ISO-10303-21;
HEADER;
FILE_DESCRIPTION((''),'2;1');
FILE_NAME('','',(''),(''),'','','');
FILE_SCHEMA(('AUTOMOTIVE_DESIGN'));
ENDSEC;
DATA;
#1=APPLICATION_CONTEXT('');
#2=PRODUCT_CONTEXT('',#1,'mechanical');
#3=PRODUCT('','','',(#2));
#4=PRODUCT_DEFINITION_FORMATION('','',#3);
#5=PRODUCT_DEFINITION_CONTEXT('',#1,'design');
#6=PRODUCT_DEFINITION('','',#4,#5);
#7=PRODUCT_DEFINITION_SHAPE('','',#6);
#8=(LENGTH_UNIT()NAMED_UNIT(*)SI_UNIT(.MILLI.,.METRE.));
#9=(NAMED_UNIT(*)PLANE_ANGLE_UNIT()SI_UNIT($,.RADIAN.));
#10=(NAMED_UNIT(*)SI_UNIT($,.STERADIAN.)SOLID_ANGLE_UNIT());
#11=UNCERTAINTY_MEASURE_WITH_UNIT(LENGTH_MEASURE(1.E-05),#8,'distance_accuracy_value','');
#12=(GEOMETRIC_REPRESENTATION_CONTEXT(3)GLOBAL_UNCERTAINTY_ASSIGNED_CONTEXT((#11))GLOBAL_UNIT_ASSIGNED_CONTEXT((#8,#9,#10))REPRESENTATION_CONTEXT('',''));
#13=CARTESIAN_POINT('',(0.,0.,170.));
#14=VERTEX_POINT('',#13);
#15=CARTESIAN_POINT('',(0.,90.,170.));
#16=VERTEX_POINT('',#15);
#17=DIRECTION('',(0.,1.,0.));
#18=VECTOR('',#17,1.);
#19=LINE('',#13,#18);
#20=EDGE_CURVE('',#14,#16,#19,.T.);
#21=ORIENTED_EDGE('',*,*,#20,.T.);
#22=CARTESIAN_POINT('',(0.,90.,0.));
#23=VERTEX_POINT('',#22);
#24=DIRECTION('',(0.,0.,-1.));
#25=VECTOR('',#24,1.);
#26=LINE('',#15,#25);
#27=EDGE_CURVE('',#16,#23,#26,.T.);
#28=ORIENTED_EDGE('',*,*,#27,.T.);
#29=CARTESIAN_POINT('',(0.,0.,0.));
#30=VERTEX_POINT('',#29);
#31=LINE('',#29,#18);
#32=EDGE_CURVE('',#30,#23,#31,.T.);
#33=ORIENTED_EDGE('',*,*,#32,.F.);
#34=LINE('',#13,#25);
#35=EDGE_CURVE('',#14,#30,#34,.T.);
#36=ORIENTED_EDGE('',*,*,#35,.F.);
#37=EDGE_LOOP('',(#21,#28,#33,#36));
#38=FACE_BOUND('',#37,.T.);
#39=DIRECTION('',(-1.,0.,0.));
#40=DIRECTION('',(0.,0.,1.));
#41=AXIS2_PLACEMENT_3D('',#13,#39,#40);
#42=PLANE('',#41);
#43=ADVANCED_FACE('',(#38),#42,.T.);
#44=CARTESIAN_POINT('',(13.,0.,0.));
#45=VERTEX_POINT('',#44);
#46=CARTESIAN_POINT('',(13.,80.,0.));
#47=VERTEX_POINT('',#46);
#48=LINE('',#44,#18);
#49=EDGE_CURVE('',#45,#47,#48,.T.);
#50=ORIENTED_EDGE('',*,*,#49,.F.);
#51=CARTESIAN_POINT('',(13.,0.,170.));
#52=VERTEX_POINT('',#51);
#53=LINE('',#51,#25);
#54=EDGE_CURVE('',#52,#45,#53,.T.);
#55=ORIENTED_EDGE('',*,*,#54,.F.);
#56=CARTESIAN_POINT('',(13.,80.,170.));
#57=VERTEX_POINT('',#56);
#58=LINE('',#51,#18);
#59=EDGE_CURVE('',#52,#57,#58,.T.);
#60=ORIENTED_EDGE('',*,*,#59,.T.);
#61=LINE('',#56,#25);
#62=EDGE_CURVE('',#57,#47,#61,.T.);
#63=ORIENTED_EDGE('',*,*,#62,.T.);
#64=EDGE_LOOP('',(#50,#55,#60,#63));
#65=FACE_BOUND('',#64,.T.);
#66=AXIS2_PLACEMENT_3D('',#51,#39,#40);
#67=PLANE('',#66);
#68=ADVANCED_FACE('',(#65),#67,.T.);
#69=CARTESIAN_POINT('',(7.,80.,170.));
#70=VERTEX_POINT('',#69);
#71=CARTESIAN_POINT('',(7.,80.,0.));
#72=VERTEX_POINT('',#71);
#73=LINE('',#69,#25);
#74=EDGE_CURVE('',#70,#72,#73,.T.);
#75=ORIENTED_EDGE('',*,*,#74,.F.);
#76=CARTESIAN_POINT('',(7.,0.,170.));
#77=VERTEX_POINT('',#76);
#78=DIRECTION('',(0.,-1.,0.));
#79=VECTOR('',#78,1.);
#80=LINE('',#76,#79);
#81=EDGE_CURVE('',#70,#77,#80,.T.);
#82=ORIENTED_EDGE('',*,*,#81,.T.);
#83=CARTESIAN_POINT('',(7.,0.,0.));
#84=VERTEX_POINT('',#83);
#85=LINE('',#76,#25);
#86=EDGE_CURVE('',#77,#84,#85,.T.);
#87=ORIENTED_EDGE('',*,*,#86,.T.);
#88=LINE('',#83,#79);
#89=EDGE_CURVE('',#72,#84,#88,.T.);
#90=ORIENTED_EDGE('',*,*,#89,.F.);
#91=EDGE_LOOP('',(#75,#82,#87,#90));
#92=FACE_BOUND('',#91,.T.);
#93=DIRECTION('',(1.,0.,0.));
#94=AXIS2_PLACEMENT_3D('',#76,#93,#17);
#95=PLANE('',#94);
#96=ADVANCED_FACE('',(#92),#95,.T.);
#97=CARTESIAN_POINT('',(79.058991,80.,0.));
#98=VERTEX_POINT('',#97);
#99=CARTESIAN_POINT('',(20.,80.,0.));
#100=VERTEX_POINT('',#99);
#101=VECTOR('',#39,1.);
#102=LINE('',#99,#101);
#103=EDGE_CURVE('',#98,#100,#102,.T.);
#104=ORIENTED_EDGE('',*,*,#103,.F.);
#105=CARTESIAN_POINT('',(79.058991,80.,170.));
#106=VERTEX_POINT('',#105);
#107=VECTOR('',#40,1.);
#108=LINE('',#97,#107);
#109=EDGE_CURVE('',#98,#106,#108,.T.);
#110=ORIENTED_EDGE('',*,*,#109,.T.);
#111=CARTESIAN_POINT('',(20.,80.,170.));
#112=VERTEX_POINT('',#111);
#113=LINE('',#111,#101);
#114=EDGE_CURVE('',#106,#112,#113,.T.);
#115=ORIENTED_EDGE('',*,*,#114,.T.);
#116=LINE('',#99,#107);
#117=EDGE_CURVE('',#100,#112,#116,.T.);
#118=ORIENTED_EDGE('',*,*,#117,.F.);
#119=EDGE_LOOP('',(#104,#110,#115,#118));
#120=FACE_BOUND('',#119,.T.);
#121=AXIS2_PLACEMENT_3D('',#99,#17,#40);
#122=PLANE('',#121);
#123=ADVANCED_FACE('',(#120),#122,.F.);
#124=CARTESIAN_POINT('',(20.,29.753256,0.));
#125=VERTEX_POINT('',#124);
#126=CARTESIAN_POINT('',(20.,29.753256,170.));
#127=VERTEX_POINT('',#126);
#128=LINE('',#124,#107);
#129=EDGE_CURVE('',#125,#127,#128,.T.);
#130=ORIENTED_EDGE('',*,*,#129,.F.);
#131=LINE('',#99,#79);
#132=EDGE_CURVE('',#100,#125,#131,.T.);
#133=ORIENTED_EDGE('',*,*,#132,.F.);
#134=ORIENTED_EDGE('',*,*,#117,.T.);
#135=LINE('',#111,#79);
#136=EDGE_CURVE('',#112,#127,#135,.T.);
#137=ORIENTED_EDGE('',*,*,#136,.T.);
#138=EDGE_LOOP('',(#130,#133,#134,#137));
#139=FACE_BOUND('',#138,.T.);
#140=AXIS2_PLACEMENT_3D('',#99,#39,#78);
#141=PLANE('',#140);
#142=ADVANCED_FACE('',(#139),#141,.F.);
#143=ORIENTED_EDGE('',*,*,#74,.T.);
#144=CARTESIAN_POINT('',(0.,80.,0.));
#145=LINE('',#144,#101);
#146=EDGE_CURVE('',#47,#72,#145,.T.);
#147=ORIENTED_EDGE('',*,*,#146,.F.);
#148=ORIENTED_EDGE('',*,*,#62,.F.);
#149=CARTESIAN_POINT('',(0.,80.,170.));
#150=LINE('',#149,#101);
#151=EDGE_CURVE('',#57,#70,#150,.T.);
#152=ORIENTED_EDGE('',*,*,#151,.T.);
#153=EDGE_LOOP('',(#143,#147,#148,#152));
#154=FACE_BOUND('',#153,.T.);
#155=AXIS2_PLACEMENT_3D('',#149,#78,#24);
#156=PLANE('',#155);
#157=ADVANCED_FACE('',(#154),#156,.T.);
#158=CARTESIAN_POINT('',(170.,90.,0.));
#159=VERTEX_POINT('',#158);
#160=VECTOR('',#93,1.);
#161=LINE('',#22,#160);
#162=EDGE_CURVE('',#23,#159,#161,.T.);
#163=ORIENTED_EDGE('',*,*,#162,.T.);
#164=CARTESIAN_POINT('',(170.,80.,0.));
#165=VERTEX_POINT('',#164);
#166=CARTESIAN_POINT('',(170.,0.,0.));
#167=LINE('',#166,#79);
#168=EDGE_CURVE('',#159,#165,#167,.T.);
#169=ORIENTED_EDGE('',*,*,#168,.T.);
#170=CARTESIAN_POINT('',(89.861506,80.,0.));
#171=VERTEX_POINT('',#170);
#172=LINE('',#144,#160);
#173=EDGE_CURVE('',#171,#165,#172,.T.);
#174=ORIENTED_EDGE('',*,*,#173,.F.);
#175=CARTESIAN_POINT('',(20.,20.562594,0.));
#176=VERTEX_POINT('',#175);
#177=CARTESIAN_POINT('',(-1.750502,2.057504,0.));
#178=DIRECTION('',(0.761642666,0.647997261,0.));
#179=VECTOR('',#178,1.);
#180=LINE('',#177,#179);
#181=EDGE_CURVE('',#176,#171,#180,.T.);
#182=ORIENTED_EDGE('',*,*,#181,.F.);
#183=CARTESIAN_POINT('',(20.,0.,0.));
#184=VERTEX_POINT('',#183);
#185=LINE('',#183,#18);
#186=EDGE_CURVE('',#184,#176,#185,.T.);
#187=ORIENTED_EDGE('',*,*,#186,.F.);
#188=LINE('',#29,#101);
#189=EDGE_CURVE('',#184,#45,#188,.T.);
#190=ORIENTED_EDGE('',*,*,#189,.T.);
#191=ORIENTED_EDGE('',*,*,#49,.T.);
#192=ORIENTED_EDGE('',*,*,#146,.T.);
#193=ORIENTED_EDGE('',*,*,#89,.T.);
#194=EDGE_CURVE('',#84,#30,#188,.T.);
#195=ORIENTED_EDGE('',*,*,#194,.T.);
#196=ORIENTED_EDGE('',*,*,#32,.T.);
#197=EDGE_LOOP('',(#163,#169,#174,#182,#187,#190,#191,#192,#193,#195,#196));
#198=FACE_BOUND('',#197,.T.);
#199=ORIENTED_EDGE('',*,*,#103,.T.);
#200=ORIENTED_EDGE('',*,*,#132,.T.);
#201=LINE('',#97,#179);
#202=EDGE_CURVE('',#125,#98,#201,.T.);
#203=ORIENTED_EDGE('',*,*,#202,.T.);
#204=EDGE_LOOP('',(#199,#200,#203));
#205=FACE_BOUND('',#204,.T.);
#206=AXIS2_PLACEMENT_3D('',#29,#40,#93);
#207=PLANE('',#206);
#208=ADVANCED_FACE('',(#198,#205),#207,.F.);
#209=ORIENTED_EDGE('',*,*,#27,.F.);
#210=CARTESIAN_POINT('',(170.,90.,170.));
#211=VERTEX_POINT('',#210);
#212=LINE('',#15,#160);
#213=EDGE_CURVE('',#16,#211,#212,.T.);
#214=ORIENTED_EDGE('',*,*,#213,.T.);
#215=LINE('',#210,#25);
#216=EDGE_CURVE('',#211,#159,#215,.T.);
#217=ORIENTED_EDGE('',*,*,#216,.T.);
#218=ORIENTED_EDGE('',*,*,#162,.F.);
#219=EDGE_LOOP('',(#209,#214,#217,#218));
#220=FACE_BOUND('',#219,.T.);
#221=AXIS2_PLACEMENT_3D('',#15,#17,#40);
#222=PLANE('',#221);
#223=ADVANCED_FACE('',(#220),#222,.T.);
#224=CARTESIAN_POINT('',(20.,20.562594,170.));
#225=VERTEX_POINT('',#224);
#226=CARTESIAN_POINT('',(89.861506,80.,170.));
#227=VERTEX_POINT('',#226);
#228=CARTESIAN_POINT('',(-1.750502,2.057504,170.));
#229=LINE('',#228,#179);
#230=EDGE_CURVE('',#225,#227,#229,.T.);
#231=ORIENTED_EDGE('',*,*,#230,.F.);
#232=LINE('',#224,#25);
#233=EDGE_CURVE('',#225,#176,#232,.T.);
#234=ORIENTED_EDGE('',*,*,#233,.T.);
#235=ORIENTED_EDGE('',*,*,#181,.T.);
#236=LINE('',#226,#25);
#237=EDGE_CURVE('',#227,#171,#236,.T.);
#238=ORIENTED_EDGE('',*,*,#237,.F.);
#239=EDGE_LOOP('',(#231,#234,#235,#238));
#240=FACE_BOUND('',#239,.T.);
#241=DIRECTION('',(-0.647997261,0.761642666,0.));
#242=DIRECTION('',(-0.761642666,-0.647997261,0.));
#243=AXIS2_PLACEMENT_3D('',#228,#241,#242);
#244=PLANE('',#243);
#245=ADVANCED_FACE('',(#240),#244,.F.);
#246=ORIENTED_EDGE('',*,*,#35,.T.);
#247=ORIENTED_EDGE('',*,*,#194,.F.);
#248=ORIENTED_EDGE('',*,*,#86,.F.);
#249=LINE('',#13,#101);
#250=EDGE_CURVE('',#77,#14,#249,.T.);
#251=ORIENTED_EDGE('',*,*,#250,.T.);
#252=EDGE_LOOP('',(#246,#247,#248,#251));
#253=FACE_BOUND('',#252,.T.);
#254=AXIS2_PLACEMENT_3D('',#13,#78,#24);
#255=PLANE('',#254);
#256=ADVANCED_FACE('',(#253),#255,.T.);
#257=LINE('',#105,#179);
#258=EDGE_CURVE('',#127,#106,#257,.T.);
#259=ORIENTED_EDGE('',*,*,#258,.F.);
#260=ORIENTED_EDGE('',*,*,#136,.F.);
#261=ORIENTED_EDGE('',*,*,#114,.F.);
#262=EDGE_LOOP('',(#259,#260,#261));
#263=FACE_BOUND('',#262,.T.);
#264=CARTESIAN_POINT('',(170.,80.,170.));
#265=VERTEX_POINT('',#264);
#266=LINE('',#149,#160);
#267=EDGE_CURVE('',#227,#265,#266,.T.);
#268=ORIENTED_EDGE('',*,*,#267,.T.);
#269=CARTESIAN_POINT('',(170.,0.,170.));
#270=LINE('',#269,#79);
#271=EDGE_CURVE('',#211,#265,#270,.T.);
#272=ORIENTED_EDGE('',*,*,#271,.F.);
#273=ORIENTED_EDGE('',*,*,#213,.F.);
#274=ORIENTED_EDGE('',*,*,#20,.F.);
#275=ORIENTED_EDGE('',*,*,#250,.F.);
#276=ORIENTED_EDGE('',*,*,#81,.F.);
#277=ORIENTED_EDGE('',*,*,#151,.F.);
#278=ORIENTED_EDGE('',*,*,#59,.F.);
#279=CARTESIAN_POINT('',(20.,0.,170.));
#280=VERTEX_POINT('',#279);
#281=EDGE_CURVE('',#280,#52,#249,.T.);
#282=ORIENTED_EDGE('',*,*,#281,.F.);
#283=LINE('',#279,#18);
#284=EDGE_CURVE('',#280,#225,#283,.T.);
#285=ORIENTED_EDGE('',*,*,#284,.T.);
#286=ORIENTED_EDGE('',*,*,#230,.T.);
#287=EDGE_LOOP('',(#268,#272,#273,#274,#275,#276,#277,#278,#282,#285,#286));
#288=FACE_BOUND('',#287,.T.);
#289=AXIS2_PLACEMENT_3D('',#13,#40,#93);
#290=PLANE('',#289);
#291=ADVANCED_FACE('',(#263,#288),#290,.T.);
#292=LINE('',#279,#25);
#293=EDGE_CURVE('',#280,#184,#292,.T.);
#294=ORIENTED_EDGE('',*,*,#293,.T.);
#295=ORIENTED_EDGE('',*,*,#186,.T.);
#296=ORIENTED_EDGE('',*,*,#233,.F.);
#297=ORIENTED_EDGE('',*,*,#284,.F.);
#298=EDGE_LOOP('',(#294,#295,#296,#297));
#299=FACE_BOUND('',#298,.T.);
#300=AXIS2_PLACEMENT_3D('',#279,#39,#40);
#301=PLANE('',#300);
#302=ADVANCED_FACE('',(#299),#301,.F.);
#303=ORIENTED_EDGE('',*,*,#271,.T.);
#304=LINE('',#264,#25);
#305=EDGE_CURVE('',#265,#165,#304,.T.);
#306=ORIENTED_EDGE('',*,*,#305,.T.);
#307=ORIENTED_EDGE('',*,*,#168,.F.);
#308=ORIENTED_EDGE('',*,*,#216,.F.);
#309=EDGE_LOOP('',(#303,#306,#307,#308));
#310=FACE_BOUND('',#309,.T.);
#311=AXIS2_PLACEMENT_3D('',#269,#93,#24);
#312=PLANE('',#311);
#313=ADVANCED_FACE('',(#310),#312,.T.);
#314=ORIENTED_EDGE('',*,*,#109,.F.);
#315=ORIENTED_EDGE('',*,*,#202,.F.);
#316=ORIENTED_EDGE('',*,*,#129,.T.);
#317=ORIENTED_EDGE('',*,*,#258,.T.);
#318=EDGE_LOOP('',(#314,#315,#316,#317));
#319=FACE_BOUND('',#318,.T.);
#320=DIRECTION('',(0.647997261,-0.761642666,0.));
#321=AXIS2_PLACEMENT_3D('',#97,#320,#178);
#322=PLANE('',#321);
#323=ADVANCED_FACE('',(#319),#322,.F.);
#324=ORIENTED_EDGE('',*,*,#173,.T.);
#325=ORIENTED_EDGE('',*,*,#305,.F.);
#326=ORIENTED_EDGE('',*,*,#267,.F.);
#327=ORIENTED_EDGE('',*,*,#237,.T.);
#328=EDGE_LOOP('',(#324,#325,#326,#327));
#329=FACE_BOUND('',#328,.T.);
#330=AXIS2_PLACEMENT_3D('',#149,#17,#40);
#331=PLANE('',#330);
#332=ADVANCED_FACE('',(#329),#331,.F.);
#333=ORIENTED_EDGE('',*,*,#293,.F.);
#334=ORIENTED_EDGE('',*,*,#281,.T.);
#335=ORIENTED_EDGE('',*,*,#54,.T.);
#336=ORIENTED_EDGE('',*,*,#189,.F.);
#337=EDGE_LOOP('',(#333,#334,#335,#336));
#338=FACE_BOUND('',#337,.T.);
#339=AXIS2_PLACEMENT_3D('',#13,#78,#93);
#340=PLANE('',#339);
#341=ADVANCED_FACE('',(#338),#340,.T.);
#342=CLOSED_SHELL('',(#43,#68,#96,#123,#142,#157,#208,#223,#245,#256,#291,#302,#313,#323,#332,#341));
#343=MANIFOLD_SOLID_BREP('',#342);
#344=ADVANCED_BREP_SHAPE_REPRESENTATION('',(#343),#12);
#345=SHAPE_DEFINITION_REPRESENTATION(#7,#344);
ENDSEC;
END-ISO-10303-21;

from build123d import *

# Parameters (mm, degrees)
BOSS_EXTRU_1_DEPTH      = 170
ENL_V_MAT_EXTRU_1_DEPTH = 257.70995306


with BuildPart() as part:
    # Esquisse1 → Boss.-Extru.1 (new body)
    with BuildSketch(Plane.XY):
        Polygon((0, 90), (0, 0), (7, 0), (7, 80), (13, 80), (13, 0), (20, 0), (20, 20.562593983), (89.86150576, 80), (170, 80), (170, 90), align=None)
    extrude(amount=BOSS_EXTRU_1_DEPTH)

    # Esquisse3 → Enlèv. mat.-Extru.1 (cut, through all)
    with BuildSketch(Plane.XY.offset(170)):
        Polygon((20, 80), (79.058990958, 80), (20, 29.753255583), align=None)
    extrude(amount=-ENL_V_MAT_EXTRU_1_DEPTH, mode=Mode.SUBTRACT)


solid = part.part
